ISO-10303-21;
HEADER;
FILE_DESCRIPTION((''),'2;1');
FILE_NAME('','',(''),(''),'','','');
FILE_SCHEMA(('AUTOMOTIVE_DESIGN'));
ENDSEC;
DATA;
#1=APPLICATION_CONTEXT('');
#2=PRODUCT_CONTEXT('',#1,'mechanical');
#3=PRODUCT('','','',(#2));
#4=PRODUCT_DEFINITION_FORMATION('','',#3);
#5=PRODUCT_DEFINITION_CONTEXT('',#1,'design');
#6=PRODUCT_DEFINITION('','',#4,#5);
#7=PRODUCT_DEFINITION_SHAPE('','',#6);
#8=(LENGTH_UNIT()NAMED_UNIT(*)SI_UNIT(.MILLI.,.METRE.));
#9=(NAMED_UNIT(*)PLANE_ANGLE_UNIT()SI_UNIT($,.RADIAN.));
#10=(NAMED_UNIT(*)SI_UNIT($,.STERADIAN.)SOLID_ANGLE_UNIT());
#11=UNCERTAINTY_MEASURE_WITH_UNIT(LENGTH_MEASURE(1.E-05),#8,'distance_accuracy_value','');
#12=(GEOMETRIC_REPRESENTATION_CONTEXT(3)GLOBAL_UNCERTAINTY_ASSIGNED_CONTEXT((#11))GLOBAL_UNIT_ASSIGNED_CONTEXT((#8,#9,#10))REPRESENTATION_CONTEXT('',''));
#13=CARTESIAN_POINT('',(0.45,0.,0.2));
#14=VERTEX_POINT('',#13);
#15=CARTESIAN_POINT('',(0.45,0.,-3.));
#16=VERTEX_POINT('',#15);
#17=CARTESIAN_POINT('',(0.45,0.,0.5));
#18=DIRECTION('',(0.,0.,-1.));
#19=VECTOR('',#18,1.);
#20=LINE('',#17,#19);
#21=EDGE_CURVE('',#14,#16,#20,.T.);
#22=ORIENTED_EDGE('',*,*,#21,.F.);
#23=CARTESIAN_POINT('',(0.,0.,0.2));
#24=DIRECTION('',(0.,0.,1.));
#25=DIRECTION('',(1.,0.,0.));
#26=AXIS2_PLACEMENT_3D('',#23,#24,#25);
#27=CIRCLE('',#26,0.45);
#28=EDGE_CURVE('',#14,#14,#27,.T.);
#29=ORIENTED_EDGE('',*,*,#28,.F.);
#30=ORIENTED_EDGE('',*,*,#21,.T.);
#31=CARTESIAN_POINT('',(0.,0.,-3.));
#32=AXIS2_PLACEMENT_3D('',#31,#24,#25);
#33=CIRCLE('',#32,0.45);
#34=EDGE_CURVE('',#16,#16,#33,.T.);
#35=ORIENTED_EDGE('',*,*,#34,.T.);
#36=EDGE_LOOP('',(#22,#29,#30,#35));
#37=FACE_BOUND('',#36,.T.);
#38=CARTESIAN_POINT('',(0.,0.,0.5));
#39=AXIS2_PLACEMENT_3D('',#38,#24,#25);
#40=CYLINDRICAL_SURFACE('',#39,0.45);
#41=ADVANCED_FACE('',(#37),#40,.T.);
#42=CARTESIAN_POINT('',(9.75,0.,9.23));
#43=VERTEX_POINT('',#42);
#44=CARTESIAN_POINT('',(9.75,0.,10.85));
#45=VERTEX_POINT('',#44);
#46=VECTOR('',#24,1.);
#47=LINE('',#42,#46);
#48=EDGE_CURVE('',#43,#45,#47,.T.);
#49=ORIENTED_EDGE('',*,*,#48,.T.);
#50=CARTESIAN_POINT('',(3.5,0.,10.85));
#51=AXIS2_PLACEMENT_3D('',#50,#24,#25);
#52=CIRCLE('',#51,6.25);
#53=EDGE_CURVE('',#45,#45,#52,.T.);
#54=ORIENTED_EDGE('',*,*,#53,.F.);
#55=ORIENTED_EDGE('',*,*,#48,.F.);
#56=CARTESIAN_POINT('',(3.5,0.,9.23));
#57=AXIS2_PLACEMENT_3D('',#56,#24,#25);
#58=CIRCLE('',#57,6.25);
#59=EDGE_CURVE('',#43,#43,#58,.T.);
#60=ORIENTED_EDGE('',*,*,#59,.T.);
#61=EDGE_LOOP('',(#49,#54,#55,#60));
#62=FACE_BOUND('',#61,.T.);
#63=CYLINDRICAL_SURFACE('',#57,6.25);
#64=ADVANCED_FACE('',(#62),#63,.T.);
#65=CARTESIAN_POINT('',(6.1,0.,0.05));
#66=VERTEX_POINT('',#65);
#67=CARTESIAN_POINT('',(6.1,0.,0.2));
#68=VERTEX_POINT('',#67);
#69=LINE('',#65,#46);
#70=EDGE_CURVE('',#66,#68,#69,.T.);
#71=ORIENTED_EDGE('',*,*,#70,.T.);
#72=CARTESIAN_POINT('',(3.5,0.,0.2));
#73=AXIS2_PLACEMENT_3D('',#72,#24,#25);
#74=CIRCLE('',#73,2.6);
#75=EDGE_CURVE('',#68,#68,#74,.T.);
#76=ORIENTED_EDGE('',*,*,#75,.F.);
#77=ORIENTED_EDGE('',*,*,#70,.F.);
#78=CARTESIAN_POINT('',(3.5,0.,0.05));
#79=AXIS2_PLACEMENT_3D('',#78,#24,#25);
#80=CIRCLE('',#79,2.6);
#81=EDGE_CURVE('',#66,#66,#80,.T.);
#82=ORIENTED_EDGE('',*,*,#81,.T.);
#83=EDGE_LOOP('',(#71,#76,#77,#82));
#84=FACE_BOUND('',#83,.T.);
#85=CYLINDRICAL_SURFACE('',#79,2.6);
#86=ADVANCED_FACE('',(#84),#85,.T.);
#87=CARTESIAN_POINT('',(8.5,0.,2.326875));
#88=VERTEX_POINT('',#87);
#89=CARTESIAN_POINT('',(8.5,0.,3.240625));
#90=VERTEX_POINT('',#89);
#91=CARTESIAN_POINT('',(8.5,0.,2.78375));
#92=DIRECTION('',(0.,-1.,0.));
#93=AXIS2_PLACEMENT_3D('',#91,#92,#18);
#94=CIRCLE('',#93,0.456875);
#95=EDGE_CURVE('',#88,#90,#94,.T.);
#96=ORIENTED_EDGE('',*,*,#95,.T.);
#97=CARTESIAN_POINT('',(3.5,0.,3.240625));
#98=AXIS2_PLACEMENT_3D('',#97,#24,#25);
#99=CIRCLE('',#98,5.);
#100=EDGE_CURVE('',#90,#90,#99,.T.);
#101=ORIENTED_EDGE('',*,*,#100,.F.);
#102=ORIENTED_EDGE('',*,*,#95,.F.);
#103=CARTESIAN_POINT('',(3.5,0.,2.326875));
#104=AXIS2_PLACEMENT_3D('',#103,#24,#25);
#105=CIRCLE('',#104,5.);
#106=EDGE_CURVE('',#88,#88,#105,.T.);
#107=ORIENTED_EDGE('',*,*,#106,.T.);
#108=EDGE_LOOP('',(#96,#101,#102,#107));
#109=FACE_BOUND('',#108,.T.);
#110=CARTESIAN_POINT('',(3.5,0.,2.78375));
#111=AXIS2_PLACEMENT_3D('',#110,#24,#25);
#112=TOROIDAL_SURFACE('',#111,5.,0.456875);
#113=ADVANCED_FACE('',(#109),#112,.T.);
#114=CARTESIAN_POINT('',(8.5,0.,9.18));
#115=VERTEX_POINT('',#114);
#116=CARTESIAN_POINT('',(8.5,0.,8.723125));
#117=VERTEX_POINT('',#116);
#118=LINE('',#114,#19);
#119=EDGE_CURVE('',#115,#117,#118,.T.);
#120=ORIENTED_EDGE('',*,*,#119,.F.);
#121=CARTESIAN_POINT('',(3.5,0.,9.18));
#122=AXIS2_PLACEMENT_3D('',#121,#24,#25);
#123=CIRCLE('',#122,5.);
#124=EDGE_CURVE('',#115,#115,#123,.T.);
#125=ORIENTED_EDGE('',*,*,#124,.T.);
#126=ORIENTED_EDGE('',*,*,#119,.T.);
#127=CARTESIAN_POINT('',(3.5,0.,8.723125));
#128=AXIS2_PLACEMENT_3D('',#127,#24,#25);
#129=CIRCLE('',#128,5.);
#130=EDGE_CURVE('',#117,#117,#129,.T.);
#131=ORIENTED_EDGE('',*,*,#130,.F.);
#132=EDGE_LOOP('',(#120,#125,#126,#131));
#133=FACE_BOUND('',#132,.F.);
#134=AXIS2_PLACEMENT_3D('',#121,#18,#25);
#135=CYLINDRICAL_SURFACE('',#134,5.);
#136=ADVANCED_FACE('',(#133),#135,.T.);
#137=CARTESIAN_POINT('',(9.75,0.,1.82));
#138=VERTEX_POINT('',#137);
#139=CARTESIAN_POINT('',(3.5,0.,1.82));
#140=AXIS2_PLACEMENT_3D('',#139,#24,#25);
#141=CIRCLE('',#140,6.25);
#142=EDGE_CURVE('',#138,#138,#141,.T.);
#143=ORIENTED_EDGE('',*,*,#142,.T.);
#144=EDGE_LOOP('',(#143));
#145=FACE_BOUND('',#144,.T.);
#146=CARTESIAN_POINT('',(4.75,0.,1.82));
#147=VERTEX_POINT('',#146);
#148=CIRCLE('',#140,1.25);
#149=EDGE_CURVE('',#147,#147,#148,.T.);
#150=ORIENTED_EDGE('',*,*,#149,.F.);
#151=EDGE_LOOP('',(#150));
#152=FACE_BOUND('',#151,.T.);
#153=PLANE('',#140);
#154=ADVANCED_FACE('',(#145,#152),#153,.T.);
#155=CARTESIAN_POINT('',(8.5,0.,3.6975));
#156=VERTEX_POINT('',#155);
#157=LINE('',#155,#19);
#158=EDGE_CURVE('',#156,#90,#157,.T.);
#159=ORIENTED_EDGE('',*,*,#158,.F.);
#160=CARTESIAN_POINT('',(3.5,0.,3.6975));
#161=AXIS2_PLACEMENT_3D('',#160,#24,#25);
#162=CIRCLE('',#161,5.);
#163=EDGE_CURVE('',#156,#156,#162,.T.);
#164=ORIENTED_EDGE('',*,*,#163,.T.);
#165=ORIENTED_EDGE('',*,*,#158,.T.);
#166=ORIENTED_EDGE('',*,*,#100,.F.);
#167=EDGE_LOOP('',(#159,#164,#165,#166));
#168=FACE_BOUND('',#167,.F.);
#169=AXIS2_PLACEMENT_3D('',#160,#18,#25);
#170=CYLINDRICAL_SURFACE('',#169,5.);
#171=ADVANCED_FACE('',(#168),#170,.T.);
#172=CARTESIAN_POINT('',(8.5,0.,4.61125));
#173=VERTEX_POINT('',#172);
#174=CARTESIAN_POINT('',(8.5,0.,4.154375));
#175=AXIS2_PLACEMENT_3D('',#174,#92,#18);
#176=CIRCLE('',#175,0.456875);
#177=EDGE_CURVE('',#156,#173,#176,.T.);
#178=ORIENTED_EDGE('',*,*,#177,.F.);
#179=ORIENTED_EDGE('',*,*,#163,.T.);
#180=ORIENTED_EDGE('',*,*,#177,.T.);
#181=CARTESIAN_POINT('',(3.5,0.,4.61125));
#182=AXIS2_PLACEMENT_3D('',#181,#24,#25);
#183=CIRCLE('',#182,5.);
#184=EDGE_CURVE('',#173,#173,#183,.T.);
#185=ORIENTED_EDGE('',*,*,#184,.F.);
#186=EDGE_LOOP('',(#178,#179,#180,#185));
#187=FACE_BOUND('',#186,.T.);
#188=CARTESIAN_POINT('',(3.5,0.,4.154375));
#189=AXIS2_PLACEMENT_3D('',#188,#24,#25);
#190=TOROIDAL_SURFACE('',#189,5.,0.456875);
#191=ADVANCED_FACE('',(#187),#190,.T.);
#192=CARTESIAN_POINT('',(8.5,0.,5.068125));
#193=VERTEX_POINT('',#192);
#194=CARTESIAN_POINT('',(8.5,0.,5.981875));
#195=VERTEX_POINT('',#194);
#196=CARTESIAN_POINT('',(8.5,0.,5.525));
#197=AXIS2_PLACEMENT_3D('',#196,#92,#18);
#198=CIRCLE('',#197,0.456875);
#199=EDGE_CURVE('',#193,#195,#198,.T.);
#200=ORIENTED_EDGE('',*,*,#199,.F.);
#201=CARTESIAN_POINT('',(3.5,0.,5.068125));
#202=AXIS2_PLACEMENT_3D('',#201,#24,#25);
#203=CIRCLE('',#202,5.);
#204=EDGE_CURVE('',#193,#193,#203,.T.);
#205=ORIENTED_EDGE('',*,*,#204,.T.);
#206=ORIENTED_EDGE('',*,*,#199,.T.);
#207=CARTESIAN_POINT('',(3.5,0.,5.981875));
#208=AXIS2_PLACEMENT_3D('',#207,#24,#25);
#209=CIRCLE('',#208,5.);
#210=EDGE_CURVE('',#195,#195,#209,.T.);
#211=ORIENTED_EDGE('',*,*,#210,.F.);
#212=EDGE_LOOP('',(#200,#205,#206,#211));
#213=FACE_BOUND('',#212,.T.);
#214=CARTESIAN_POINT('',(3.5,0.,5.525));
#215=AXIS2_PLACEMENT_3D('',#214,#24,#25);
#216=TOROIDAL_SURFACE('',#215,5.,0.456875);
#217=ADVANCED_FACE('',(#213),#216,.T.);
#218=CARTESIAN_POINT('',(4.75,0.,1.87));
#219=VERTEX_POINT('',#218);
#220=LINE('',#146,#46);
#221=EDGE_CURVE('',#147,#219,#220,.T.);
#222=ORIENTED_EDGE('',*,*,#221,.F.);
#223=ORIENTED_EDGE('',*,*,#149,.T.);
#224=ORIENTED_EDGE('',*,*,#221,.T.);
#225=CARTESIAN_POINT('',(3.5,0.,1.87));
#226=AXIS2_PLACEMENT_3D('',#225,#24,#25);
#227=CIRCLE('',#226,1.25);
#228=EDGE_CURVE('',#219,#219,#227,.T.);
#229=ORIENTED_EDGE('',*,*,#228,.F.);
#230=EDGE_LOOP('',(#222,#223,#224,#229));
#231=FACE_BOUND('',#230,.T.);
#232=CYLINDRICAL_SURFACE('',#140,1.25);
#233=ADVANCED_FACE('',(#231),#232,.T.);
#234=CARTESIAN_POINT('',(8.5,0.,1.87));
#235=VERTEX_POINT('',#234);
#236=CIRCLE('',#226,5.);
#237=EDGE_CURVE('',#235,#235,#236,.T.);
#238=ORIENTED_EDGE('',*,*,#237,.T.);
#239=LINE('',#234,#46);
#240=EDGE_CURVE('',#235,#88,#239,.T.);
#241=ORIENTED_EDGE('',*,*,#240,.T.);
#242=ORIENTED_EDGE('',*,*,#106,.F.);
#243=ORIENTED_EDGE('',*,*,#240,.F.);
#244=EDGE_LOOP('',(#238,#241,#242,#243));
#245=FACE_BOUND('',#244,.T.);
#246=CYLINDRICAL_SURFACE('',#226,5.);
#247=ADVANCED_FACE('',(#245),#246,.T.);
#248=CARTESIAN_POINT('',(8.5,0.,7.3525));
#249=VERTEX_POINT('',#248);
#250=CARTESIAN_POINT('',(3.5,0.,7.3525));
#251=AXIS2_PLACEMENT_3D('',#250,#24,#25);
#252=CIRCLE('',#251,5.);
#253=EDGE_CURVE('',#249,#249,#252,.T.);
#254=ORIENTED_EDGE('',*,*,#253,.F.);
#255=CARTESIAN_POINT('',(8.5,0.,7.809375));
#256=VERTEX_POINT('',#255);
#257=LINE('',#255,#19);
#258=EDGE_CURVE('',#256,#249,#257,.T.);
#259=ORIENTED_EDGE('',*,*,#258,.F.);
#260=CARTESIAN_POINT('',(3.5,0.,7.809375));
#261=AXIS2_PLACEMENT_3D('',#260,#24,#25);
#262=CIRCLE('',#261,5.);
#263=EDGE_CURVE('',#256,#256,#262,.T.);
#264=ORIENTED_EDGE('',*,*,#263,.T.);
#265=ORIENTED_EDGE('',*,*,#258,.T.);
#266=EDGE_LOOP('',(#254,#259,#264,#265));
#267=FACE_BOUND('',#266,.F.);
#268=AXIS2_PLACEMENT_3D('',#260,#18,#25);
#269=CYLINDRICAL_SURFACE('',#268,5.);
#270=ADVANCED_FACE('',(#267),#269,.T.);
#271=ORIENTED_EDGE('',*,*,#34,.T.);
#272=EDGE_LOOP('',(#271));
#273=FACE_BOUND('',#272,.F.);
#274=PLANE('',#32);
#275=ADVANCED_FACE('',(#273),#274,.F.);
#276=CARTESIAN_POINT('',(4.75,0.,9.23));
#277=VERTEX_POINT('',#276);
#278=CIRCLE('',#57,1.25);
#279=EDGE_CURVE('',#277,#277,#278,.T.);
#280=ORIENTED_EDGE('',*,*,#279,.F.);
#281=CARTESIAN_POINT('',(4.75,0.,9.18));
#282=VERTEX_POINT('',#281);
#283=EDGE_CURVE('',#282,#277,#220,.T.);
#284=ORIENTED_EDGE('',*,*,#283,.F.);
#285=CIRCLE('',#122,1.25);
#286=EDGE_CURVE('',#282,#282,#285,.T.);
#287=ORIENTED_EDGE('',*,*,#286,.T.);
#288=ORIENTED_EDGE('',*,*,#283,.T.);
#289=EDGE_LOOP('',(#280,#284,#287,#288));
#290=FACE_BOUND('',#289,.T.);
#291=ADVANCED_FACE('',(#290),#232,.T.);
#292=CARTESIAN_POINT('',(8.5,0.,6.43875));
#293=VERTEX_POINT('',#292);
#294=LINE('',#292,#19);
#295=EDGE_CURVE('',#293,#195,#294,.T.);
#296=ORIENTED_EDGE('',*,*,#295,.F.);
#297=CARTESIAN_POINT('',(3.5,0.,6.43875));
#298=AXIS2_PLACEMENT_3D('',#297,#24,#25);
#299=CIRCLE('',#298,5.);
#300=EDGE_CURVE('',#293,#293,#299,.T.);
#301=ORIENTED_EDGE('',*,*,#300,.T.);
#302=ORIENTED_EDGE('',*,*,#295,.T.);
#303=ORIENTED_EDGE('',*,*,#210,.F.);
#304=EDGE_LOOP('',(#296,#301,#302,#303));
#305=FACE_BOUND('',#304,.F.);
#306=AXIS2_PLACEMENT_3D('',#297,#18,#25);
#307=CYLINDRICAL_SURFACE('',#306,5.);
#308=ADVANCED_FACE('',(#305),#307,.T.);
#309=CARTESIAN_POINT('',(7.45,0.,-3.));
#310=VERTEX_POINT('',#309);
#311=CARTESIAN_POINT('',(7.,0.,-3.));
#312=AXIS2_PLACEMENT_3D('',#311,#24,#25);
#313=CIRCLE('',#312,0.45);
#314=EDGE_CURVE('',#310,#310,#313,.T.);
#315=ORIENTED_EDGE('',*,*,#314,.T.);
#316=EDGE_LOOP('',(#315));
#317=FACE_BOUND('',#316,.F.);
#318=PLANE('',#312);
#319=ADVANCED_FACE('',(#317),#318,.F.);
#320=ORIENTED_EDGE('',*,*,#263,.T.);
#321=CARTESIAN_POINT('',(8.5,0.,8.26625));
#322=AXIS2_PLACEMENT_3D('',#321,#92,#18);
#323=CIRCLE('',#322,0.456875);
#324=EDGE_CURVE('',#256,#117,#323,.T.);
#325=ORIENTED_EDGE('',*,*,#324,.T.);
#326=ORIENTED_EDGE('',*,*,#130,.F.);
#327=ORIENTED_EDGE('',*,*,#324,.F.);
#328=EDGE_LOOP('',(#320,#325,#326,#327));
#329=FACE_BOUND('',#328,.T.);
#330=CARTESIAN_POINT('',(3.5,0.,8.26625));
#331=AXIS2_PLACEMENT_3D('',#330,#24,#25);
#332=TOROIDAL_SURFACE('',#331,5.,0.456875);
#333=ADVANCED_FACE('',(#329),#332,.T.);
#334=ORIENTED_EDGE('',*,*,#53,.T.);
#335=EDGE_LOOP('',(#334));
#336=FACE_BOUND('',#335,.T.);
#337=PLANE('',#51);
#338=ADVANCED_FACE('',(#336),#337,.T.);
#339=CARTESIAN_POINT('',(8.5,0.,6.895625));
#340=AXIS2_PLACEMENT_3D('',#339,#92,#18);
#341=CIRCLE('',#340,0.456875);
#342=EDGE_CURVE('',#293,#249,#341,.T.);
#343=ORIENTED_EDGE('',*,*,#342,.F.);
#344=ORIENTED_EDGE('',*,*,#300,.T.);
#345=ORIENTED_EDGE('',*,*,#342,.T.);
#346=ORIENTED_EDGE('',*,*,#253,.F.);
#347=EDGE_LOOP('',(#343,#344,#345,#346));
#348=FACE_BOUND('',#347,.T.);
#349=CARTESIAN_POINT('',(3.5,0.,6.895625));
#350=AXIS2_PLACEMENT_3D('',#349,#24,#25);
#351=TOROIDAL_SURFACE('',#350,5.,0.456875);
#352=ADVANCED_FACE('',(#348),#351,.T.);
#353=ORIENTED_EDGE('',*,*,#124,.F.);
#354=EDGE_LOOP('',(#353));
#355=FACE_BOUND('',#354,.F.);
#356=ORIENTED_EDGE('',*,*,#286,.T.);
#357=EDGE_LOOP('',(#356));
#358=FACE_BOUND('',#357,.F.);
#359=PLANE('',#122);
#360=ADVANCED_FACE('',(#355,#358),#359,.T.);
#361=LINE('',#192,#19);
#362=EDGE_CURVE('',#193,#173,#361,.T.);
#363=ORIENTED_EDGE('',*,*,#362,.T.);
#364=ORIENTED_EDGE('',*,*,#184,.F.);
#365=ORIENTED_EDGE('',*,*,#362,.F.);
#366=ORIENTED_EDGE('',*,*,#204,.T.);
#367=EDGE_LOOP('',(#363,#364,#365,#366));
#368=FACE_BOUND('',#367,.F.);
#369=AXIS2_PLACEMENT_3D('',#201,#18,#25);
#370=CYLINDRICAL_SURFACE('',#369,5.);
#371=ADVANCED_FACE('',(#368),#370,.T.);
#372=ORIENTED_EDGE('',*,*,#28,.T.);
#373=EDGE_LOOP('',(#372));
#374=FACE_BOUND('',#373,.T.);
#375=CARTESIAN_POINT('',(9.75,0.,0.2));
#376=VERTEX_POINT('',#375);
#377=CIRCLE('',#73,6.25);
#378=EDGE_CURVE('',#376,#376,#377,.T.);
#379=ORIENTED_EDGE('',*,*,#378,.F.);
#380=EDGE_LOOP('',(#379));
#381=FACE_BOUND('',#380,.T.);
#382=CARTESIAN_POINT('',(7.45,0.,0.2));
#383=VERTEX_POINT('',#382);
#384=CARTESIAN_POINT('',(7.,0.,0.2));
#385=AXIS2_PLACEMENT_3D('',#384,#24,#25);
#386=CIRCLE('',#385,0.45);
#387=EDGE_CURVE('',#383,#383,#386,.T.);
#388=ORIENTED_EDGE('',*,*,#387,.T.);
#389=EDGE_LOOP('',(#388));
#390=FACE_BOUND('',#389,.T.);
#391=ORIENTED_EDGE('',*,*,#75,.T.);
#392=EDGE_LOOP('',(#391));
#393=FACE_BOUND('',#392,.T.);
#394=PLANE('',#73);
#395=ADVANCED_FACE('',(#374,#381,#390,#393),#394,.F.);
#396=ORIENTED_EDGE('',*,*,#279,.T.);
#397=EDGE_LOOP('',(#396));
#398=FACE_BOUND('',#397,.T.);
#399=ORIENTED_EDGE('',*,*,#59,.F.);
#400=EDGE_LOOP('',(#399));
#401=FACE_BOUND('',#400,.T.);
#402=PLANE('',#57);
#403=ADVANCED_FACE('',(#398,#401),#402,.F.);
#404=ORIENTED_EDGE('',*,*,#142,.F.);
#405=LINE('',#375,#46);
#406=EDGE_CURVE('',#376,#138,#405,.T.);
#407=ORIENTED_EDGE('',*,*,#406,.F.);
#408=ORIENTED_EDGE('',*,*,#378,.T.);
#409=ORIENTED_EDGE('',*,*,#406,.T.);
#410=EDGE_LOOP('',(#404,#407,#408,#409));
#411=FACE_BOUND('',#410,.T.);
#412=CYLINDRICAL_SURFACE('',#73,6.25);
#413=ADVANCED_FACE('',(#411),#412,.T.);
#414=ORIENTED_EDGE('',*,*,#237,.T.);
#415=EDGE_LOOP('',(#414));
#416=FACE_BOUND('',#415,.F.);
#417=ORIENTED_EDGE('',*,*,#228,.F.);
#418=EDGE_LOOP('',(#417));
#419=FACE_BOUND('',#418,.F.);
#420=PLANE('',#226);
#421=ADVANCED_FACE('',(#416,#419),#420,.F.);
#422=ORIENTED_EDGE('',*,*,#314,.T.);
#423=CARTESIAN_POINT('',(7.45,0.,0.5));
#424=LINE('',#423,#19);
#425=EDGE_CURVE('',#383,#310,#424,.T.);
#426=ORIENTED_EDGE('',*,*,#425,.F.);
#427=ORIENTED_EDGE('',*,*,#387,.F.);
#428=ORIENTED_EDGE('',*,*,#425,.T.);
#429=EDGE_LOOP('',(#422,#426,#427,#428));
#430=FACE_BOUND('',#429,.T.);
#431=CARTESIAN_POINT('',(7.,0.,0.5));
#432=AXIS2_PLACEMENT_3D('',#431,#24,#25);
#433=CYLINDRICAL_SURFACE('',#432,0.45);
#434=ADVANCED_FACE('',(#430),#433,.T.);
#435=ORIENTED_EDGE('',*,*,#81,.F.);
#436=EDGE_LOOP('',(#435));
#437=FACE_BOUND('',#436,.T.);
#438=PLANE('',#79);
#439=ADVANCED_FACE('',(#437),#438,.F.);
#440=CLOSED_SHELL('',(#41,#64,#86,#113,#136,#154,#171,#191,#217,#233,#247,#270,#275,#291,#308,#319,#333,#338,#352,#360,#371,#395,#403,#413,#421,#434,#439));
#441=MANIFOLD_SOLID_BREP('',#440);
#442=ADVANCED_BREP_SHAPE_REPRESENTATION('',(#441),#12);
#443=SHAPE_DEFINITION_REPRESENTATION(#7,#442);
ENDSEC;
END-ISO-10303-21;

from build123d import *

# Parameters (mm, degrees)
SKETCH001_R  = 0.45
PAD001_DEPTH = 3.5


with BuildPart() as revolution:
    # Sketch → Revolution (revolve)
    with BuildSketch(Plane(origin=(3.5, 0, 0), x_dir=(1, 0, 0), z_dir=(0, -1, 0))):
        Polygon((0, 0.05), (2.6, 0.05), (2.6, 0.2), (6.25, 0.2), (6.25, 1.82), (1.25, 1.82), (1.25, 9.23), (6.25, 9.23), (6.25, 10.85), (0, 10.85), align=None)
    revolve(axis=Axis((3.5, 0, 0), (0, 0, 1)))


with BuildPart() as pad001:
    # Sketch001 → Pad001 (new body)
    with BuildSketch(Plane.XY.offset(0.5)):
        Circle(SKETCH001_R)
        with Locations((7, 0)):
            Circle(SKETCH001_R)
    extrude(amount=-PAD001_DEPTH)


with BuildPart() as l_radial_d12_5mm_p7_00mm_fastron_09hcp:
    # Sketch002 → Revolution001 (revolve)
    with BuildSketch(Plane(origin=(3.5, 0, 0), x_dir=(1, 0, 0), z_dir=(0, -1, 0))):
        with BuildLine():
            Line((5, 1.87), (1.25, 1.87))
            Line((1.25, 1.87), (1.25, 9.18))
            Line((1.25, 9.18), (5, 9.18))
            Line((5, 9.18), (5, 8.723125))
            ThreePointArc((5, 7.809375), (5.456875, 8.26625), (5, 8.723125))
            Line((5, 7.809375), (5, 7.3525))
            ThreePointArc((5, 6.43875), (5.456875, 6.895625), (5, 7.3525))
            Line((5, 6.43875), (5, 5.981875))
            ThreePointArc((5, 5.068125), (5.456875, 5.525), (5, 5.981875))
            Line((5, 5.068125), (5, 4.61125))
            ThreePointArc((5, 3.6975), (5.456875, 4.154375), (5, 4.61125))
            Line((5, 3.6975), (5, 3.240625))
            ThreePointArc((5, 2.326875), (5.456875, 2.78375), (5, 3.240625))
            Line((5, 1.87), (5, 2.326875))
        make_face()
    revolve(axis=Axis((3.5, 0, 0), (0, 0, 1)))

    # Revolution001_mp_cp: union Revolution, Pad001
    add(revolution.part)
    add(pad001.part)


solid = l_radial_d12_5mm_p7_00mm_fastron_09hcp.part
